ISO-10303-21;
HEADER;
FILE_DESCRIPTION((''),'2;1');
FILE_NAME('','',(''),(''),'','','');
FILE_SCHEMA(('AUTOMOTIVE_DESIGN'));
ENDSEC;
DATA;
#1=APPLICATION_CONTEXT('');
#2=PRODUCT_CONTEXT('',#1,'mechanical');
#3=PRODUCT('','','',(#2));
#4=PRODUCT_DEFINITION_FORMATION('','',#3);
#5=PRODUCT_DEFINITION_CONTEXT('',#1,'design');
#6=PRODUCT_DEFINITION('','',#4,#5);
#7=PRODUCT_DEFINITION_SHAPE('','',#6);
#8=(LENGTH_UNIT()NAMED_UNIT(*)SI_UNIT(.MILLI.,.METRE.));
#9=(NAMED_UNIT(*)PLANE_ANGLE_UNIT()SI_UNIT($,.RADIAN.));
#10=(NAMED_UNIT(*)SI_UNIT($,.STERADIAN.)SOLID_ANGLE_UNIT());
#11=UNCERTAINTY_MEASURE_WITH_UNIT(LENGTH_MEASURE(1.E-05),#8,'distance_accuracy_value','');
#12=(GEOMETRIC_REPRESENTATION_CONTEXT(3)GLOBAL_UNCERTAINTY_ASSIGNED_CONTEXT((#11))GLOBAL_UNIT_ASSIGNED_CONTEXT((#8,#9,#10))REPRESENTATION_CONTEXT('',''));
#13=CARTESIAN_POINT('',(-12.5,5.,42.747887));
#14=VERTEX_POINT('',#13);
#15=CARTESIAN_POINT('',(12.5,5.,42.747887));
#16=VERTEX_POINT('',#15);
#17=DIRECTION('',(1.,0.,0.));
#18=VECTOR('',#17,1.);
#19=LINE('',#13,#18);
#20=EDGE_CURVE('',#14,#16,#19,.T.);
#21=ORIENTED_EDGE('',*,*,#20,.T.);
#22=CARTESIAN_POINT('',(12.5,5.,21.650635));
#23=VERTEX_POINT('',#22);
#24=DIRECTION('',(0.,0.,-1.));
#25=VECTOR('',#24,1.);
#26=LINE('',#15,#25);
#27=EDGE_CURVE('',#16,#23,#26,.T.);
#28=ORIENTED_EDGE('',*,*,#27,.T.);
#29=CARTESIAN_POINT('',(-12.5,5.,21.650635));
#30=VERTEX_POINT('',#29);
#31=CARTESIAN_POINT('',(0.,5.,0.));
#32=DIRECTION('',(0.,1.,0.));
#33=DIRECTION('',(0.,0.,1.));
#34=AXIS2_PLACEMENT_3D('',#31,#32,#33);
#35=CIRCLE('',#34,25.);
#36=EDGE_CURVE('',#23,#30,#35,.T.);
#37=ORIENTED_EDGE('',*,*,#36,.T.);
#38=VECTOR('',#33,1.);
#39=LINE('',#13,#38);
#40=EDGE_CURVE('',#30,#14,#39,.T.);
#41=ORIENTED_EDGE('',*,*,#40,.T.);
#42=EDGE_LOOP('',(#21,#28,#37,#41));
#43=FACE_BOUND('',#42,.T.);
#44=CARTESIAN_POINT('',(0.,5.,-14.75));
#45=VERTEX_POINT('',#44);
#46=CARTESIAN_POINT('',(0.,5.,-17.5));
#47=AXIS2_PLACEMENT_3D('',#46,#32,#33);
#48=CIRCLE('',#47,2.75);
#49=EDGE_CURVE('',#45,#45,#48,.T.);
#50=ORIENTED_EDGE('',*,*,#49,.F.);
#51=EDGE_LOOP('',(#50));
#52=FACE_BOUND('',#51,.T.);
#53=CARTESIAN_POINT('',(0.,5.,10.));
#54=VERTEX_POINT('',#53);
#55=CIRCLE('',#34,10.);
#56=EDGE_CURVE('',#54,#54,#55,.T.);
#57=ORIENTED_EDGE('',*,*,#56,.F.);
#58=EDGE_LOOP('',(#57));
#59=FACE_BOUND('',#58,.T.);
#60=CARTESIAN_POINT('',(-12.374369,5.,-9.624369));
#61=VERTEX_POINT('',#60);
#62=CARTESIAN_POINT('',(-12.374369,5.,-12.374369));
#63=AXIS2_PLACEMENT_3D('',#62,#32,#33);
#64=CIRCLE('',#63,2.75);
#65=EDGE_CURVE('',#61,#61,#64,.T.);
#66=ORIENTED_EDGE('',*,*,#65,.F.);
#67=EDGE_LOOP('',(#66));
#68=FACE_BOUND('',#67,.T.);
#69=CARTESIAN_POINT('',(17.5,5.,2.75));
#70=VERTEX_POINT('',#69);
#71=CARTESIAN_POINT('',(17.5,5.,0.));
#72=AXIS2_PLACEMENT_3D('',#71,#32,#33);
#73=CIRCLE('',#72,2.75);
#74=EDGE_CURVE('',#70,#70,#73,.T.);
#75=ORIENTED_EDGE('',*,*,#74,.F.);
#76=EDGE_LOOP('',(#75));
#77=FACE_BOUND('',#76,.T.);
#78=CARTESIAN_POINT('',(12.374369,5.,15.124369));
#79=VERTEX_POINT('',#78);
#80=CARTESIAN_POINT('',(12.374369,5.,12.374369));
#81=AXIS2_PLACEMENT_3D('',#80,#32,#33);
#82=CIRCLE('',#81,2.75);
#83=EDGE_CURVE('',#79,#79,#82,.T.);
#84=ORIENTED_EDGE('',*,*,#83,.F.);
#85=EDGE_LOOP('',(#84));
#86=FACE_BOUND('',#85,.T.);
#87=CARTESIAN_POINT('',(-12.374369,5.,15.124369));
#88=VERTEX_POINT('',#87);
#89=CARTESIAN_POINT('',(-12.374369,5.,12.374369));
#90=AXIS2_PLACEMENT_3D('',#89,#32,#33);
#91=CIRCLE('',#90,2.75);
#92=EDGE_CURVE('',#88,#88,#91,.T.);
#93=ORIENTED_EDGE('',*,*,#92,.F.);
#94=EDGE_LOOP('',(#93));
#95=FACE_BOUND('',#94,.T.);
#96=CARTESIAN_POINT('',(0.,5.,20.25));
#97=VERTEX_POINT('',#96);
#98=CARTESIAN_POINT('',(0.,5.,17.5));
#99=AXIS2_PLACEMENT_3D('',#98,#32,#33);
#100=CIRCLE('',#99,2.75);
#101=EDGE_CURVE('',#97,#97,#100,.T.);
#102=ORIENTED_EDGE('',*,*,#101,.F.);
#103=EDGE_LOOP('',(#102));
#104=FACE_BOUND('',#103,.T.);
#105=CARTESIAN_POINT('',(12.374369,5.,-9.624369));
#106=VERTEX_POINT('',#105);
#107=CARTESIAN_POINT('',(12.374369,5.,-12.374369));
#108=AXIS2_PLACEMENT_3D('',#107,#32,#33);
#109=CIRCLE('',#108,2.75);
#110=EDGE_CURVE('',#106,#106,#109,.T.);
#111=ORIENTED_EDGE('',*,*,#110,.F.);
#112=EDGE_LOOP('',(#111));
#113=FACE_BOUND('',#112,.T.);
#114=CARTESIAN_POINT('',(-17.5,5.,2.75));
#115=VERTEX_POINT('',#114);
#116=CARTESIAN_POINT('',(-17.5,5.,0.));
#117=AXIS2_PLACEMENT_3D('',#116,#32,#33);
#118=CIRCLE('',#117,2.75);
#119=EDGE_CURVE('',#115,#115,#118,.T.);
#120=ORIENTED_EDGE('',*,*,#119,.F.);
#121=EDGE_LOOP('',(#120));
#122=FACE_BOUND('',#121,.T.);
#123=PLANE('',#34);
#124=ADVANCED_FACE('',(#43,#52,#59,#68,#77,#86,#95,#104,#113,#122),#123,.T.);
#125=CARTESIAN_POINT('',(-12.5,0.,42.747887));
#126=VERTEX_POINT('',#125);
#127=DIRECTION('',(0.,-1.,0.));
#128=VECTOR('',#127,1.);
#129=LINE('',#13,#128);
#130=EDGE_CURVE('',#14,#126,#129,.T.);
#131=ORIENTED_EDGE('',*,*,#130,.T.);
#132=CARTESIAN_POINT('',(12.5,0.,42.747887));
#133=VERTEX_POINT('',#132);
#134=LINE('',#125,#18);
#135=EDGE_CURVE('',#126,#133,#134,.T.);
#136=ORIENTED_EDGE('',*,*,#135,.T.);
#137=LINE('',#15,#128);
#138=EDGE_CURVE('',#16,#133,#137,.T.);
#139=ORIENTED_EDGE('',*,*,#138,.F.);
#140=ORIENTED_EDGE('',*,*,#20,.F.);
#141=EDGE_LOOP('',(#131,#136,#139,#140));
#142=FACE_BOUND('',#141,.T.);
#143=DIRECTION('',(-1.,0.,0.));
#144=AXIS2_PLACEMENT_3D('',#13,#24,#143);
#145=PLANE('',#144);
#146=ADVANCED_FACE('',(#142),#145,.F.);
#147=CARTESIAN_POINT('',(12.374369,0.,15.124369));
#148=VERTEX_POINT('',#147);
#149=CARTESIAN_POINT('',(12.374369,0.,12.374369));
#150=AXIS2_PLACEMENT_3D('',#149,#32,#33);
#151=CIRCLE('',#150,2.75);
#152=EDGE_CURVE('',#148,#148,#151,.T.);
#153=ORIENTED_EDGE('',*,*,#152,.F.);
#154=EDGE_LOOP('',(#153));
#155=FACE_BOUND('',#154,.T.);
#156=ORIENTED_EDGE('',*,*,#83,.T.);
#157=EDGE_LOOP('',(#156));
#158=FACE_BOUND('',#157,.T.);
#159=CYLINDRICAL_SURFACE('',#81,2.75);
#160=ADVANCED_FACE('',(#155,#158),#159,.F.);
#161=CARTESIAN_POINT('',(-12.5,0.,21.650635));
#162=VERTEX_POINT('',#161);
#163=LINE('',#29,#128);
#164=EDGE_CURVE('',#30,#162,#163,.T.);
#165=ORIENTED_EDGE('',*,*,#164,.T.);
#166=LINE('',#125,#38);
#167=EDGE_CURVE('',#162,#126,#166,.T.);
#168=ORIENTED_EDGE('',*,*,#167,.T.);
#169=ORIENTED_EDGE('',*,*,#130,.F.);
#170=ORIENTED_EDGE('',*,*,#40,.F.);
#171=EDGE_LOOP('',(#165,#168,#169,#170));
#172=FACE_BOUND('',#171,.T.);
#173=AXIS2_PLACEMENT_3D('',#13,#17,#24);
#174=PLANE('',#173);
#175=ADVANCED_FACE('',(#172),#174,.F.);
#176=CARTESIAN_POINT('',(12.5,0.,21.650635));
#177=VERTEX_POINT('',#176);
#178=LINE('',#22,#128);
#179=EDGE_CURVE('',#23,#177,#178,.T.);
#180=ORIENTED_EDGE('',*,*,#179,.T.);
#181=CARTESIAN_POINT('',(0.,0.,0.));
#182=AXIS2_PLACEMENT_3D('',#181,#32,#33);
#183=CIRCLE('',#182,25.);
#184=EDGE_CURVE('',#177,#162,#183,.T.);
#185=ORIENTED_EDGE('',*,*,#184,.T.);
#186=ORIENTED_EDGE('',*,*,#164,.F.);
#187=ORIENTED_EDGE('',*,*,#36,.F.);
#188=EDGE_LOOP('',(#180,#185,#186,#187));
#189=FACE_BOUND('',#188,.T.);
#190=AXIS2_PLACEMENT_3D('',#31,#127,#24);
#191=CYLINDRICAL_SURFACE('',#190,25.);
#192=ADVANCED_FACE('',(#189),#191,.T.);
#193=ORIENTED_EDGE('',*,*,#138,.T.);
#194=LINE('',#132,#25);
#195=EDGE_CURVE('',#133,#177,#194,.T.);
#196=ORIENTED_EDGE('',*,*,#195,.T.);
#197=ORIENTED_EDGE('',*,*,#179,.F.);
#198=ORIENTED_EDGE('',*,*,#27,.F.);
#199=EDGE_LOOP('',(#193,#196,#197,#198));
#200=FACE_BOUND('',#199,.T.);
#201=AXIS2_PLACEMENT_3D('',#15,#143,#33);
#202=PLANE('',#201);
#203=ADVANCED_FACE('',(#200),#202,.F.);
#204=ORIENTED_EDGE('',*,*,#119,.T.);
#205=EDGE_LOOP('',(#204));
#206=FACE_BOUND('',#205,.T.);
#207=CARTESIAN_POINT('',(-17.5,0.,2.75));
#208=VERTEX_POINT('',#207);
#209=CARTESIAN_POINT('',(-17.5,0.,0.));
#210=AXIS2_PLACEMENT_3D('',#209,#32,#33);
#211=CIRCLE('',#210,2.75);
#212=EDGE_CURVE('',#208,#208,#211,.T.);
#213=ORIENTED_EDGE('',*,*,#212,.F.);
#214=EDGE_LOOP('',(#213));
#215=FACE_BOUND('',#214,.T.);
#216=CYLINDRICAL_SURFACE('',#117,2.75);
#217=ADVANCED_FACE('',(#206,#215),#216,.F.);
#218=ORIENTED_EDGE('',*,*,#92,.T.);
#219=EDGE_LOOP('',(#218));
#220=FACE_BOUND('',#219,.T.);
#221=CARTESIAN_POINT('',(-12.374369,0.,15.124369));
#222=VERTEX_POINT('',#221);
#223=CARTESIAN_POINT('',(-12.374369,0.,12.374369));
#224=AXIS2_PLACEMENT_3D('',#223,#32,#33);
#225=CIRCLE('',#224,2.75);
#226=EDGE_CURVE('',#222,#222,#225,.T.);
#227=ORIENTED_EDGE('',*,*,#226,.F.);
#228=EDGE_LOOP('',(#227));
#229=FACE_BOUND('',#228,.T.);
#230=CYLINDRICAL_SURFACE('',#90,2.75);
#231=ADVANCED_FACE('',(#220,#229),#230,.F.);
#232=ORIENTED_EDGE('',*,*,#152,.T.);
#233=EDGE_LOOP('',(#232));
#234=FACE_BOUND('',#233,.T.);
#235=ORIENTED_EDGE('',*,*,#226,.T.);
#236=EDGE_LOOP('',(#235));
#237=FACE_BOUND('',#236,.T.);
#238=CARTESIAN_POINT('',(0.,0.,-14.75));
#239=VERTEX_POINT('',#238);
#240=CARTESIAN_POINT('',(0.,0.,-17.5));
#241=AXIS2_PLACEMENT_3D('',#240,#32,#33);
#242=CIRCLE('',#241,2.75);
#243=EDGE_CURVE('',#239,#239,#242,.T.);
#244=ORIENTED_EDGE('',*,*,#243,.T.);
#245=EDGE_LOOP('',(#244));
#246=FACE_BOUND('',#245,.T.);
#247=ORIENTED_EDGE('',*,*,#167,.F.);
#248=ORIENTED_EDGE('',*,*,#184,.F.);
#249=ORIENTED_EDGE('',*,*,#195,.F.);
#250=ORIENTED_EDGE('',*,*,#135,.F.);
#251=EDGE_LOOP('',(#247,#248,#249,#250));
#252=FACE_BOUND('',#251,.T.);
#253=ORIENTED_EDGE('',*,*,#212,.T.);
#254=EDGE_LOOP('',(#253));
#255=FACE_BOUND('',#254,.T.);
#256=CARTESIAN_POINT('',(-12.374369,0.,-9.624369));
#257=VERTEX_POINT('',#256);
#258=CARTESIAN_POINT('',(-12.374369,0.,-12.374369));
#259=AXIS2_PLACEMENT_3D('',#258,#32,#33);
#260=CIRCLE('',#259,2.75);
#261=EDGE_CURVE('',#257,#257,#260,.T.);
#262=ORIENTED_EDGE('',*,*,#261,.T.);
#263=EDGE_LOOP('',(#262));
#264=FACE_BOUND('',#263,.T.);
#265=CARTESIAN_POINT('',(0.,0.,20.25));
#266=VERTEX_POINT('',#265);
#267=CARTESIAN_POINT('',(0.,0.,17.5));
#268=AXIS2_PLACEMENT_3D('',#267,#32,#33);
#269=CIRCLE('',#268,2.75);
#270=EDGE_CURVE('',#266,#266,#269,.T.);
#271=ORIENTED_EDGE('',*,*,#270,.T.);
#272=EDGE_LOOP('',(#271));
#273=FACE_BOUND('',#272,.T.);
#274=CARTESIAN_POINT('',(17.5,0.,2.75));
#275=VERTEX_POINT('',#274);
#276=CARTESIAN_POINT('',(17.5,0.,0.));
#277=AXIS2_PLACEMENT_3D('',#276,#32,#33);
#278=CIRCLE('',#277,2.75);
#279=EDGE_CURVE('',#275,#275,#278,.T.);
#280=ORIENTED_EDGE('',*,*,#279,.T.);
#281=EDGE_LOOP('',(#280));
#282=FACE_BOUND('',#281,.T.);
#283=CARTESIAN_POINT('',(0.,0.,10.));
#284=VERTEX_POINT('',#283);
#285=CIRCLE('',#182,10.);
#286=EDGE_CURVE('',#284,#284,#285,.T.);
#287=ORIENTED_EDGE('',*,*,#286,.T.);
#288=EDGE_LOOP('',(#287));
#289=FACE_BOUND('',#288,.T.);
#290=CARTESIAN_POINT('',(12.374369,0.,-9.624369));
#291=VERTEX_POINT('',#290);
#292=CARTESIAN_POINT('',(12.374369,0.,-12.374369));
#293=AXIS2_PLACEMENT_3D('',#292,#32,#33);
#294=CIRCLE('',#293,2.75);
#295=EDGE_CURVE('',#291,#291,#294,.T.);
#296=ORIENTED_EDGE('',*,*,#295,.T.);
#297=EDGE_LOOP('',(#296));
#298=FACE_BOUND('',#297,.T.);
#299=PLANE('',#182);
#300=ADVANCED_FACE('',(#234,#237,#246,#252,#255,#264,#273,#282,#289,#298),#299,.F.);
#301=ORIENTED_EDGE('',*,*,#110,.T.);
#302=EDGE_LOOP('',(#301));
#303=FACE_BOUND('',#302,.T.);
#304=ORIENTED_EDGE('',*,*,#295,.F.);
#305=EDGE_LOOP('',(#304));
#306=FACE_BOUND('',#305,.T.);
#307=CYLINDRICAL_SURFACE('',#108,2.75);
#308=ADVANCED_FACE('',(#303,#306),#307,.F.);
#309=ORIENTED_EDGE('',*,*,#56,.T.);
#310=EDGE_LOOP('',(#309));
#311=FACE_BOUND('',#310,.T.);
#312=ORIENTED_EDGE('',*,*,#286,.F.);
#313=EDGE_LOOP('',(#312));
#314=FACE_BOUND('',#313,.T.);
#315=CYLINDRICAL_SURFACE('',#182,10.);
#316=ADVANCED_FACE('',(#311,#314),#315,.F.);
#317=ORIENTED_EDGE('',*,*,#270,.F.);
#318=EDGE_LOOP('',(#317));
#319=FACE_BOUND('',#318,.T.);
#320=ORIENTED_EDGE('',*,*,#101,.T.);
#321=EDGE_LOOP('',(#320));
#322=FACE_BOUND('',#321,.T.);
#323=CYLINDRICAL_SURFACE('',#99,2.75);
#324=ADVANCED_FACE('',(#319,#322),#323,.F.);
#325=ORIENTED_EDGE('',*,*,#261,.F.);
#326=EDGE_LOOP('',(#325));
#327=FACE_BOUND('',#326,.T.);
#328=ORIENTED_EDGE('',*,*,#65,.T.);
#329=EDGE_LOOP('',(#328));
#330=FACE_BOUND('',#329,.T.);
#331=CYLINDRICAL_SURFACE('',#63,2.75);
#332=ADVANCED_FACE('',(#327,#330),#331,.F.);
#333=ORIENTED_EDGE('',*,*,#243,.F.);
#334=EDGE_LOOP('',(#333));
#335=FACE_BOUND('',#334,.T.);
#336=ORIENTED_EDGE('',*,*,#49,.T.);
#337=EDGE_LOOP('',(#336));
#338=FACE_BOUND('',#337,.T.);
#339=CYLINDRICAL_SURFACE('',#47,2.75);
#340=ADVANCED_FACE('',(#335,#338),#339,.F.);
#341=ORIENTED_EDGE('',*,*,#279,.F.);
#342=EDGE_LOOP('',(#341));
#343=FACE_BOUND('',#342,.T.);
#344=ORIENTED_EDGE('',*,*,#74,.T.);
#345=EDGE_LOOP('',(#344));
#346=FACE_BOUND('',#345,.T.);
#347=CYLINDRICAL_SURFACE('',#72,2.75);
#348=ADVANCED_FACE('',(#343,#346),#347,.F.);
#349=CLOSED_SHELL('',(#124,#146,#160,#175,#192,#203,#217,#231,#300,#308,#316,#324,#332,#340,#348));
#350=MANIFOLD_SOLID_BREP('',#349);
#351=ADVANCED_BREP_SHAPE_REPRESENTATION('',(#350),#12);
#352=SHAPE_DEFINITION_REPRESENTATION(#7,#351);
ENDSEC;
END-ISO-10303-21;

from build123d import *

# Parameters (mm, degrees)
BOSS_EXTRUDE1_DEPTH  = 5
M5_CLEARANCE_HOLE1_D = 5.5
SKETCH6_R            = 10
CUT_EXTRUDE1_DEPTH   = 50.773304207


with BuildPart() as part:
    # Sketch1 → Boss-Extrude1 (new body)
    with BuildSketch(Plane(origin=(0, 0, 0), x_dir=(1, 0, 0), z_dir=(0, 1, 0))):
        with BuildLine():
            Line((-12.5, -42.747886634), (12.5, -42.747886634))
            Line((12.5, -42.747886634), (12.5, -21.650635095))
            ThreePointArc((12.5, -21.650635095), (0, 25), (-12.5, -21.650635095))
            Line((-12.5, -21.650635095), (-12.5, -42.747886634))
        make_face()
    extrude(amount=BOSS_EXTRUDE1_DEPTH)

    # M5 Clearance Hole1 (through all)
    with Locations(Plane(origin=(0, 5, 0), x_dir=(1, 0, 0), z_dir=(0, 1, 0))):
        with Locations((-12.374368671, 12.374368671), (0, 17.5), (12.374368671, 12.374368671), (17.5, 0), (12.374368671, -12.374368671), (0, -17.5), (-12.374368671, -12.374368671), (-17.5, 0)):
            Hole(M5_CLEARANCE_HOLE1_D / 2)

    # Sketch6 → Cut-Extrude1 (cut, through all)
    with BuildSketch(Plane(origin=(0, 5, 0), x_dir=(1, 0, 0), z_dir=(0, 1, 0))):
        with Locations(Location((0, 0, 0), (0, 0, 270))):
            Circle(SKETCH6_R)
    extrude(amount=-CUT_EXTRUDE1_DEPTH, mode=Mode.SUBTRACT)


solid = part.part
